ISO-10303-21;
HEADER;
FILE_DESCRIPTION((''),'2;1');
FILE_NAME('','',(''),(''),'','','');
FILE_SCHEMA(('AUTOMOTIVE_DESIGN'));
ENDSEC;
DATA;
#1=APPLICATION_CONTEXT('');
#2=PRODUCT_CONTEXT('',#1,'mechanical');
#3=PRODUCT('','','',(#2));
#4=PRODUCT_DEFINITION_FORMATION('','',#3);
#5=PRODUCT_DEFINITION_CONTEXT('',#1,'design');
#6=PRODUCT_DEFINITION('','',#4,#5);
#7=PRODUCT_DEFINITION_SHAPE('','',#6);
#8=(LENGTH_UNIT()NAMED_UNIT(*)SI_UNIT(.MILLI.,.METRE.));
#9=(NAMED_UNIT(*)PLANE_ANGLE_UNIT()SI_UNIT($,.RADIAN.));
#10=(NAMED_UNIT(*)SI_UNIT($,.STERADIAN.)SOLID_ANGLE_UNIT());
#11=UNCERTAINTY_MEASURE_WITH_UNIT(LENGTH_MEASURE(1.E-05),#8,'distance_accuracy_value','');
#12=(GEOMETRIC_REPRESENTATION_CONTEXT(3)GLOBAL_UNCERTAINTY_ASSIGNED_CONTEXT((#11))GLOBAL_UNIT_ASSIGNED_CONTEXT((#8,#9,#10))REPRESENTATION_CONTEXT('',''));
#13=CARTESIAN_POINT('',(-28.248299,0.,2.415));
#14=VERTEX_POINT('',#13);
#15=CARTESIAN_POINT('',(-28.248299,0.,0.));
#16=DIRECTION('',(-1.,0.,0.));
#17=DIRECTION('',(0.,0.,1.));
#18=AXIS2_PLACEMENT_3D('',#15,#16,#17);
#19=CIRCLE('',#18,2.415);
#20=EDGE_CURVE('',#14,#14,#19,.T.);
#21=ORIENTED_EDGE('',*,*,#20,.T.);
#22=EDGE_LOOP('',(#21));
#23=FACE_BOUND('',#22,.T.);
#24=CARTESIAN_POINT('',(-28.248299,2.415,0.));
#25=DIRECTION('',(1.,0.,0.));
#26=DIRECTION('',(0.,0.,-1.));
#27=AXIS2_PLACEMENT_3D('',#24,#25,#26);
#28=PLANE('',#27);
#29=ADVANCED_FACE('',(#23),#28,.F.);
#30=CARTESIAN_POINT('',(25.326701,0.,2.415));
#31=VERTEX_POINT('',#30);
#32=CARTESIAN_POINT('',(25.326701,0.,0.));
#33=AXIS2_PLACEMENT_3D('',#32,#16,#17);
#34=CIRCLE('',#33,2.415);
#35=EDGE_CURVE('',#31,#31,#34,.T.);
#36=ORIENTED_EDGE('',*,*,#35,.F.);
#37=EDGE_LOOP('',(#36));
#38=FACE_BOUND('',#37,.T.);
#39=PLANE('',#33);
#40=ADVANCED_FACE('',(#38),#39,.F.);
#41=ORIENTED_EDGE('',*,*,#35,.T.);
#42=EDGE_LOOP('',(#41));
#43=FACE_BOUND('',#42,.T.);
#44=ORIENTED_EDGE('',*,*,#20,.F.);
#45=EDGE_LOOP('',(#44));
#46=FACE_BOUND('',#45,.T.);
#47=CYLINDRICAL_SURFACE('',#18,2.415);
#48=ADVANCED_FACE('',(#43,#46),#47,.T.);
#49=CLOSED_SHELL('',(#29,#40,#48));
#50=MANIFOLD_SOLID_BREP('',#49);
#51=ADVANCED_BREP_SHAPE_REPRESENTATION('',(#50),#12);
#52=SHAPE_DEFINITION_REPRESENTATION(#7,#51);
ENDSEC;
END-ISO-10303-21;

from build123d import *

# Parameters (mm, degrees)
SKETCH1_W = 53.575
SKETCH1_H = 2.415


with BuildPart() as part:
    # Sketch1 → Revolve1 (revolve)
    with BuildSketch(Plane.XY):
        with Locations((-1.460798996, 1.2075)):
            Rectangle(SKETCH1_W, SKETCH1_H)
    revolve(axis=Axis((-28.248298996, 0, 0), (1, 0, 0)))


solid = part.part
